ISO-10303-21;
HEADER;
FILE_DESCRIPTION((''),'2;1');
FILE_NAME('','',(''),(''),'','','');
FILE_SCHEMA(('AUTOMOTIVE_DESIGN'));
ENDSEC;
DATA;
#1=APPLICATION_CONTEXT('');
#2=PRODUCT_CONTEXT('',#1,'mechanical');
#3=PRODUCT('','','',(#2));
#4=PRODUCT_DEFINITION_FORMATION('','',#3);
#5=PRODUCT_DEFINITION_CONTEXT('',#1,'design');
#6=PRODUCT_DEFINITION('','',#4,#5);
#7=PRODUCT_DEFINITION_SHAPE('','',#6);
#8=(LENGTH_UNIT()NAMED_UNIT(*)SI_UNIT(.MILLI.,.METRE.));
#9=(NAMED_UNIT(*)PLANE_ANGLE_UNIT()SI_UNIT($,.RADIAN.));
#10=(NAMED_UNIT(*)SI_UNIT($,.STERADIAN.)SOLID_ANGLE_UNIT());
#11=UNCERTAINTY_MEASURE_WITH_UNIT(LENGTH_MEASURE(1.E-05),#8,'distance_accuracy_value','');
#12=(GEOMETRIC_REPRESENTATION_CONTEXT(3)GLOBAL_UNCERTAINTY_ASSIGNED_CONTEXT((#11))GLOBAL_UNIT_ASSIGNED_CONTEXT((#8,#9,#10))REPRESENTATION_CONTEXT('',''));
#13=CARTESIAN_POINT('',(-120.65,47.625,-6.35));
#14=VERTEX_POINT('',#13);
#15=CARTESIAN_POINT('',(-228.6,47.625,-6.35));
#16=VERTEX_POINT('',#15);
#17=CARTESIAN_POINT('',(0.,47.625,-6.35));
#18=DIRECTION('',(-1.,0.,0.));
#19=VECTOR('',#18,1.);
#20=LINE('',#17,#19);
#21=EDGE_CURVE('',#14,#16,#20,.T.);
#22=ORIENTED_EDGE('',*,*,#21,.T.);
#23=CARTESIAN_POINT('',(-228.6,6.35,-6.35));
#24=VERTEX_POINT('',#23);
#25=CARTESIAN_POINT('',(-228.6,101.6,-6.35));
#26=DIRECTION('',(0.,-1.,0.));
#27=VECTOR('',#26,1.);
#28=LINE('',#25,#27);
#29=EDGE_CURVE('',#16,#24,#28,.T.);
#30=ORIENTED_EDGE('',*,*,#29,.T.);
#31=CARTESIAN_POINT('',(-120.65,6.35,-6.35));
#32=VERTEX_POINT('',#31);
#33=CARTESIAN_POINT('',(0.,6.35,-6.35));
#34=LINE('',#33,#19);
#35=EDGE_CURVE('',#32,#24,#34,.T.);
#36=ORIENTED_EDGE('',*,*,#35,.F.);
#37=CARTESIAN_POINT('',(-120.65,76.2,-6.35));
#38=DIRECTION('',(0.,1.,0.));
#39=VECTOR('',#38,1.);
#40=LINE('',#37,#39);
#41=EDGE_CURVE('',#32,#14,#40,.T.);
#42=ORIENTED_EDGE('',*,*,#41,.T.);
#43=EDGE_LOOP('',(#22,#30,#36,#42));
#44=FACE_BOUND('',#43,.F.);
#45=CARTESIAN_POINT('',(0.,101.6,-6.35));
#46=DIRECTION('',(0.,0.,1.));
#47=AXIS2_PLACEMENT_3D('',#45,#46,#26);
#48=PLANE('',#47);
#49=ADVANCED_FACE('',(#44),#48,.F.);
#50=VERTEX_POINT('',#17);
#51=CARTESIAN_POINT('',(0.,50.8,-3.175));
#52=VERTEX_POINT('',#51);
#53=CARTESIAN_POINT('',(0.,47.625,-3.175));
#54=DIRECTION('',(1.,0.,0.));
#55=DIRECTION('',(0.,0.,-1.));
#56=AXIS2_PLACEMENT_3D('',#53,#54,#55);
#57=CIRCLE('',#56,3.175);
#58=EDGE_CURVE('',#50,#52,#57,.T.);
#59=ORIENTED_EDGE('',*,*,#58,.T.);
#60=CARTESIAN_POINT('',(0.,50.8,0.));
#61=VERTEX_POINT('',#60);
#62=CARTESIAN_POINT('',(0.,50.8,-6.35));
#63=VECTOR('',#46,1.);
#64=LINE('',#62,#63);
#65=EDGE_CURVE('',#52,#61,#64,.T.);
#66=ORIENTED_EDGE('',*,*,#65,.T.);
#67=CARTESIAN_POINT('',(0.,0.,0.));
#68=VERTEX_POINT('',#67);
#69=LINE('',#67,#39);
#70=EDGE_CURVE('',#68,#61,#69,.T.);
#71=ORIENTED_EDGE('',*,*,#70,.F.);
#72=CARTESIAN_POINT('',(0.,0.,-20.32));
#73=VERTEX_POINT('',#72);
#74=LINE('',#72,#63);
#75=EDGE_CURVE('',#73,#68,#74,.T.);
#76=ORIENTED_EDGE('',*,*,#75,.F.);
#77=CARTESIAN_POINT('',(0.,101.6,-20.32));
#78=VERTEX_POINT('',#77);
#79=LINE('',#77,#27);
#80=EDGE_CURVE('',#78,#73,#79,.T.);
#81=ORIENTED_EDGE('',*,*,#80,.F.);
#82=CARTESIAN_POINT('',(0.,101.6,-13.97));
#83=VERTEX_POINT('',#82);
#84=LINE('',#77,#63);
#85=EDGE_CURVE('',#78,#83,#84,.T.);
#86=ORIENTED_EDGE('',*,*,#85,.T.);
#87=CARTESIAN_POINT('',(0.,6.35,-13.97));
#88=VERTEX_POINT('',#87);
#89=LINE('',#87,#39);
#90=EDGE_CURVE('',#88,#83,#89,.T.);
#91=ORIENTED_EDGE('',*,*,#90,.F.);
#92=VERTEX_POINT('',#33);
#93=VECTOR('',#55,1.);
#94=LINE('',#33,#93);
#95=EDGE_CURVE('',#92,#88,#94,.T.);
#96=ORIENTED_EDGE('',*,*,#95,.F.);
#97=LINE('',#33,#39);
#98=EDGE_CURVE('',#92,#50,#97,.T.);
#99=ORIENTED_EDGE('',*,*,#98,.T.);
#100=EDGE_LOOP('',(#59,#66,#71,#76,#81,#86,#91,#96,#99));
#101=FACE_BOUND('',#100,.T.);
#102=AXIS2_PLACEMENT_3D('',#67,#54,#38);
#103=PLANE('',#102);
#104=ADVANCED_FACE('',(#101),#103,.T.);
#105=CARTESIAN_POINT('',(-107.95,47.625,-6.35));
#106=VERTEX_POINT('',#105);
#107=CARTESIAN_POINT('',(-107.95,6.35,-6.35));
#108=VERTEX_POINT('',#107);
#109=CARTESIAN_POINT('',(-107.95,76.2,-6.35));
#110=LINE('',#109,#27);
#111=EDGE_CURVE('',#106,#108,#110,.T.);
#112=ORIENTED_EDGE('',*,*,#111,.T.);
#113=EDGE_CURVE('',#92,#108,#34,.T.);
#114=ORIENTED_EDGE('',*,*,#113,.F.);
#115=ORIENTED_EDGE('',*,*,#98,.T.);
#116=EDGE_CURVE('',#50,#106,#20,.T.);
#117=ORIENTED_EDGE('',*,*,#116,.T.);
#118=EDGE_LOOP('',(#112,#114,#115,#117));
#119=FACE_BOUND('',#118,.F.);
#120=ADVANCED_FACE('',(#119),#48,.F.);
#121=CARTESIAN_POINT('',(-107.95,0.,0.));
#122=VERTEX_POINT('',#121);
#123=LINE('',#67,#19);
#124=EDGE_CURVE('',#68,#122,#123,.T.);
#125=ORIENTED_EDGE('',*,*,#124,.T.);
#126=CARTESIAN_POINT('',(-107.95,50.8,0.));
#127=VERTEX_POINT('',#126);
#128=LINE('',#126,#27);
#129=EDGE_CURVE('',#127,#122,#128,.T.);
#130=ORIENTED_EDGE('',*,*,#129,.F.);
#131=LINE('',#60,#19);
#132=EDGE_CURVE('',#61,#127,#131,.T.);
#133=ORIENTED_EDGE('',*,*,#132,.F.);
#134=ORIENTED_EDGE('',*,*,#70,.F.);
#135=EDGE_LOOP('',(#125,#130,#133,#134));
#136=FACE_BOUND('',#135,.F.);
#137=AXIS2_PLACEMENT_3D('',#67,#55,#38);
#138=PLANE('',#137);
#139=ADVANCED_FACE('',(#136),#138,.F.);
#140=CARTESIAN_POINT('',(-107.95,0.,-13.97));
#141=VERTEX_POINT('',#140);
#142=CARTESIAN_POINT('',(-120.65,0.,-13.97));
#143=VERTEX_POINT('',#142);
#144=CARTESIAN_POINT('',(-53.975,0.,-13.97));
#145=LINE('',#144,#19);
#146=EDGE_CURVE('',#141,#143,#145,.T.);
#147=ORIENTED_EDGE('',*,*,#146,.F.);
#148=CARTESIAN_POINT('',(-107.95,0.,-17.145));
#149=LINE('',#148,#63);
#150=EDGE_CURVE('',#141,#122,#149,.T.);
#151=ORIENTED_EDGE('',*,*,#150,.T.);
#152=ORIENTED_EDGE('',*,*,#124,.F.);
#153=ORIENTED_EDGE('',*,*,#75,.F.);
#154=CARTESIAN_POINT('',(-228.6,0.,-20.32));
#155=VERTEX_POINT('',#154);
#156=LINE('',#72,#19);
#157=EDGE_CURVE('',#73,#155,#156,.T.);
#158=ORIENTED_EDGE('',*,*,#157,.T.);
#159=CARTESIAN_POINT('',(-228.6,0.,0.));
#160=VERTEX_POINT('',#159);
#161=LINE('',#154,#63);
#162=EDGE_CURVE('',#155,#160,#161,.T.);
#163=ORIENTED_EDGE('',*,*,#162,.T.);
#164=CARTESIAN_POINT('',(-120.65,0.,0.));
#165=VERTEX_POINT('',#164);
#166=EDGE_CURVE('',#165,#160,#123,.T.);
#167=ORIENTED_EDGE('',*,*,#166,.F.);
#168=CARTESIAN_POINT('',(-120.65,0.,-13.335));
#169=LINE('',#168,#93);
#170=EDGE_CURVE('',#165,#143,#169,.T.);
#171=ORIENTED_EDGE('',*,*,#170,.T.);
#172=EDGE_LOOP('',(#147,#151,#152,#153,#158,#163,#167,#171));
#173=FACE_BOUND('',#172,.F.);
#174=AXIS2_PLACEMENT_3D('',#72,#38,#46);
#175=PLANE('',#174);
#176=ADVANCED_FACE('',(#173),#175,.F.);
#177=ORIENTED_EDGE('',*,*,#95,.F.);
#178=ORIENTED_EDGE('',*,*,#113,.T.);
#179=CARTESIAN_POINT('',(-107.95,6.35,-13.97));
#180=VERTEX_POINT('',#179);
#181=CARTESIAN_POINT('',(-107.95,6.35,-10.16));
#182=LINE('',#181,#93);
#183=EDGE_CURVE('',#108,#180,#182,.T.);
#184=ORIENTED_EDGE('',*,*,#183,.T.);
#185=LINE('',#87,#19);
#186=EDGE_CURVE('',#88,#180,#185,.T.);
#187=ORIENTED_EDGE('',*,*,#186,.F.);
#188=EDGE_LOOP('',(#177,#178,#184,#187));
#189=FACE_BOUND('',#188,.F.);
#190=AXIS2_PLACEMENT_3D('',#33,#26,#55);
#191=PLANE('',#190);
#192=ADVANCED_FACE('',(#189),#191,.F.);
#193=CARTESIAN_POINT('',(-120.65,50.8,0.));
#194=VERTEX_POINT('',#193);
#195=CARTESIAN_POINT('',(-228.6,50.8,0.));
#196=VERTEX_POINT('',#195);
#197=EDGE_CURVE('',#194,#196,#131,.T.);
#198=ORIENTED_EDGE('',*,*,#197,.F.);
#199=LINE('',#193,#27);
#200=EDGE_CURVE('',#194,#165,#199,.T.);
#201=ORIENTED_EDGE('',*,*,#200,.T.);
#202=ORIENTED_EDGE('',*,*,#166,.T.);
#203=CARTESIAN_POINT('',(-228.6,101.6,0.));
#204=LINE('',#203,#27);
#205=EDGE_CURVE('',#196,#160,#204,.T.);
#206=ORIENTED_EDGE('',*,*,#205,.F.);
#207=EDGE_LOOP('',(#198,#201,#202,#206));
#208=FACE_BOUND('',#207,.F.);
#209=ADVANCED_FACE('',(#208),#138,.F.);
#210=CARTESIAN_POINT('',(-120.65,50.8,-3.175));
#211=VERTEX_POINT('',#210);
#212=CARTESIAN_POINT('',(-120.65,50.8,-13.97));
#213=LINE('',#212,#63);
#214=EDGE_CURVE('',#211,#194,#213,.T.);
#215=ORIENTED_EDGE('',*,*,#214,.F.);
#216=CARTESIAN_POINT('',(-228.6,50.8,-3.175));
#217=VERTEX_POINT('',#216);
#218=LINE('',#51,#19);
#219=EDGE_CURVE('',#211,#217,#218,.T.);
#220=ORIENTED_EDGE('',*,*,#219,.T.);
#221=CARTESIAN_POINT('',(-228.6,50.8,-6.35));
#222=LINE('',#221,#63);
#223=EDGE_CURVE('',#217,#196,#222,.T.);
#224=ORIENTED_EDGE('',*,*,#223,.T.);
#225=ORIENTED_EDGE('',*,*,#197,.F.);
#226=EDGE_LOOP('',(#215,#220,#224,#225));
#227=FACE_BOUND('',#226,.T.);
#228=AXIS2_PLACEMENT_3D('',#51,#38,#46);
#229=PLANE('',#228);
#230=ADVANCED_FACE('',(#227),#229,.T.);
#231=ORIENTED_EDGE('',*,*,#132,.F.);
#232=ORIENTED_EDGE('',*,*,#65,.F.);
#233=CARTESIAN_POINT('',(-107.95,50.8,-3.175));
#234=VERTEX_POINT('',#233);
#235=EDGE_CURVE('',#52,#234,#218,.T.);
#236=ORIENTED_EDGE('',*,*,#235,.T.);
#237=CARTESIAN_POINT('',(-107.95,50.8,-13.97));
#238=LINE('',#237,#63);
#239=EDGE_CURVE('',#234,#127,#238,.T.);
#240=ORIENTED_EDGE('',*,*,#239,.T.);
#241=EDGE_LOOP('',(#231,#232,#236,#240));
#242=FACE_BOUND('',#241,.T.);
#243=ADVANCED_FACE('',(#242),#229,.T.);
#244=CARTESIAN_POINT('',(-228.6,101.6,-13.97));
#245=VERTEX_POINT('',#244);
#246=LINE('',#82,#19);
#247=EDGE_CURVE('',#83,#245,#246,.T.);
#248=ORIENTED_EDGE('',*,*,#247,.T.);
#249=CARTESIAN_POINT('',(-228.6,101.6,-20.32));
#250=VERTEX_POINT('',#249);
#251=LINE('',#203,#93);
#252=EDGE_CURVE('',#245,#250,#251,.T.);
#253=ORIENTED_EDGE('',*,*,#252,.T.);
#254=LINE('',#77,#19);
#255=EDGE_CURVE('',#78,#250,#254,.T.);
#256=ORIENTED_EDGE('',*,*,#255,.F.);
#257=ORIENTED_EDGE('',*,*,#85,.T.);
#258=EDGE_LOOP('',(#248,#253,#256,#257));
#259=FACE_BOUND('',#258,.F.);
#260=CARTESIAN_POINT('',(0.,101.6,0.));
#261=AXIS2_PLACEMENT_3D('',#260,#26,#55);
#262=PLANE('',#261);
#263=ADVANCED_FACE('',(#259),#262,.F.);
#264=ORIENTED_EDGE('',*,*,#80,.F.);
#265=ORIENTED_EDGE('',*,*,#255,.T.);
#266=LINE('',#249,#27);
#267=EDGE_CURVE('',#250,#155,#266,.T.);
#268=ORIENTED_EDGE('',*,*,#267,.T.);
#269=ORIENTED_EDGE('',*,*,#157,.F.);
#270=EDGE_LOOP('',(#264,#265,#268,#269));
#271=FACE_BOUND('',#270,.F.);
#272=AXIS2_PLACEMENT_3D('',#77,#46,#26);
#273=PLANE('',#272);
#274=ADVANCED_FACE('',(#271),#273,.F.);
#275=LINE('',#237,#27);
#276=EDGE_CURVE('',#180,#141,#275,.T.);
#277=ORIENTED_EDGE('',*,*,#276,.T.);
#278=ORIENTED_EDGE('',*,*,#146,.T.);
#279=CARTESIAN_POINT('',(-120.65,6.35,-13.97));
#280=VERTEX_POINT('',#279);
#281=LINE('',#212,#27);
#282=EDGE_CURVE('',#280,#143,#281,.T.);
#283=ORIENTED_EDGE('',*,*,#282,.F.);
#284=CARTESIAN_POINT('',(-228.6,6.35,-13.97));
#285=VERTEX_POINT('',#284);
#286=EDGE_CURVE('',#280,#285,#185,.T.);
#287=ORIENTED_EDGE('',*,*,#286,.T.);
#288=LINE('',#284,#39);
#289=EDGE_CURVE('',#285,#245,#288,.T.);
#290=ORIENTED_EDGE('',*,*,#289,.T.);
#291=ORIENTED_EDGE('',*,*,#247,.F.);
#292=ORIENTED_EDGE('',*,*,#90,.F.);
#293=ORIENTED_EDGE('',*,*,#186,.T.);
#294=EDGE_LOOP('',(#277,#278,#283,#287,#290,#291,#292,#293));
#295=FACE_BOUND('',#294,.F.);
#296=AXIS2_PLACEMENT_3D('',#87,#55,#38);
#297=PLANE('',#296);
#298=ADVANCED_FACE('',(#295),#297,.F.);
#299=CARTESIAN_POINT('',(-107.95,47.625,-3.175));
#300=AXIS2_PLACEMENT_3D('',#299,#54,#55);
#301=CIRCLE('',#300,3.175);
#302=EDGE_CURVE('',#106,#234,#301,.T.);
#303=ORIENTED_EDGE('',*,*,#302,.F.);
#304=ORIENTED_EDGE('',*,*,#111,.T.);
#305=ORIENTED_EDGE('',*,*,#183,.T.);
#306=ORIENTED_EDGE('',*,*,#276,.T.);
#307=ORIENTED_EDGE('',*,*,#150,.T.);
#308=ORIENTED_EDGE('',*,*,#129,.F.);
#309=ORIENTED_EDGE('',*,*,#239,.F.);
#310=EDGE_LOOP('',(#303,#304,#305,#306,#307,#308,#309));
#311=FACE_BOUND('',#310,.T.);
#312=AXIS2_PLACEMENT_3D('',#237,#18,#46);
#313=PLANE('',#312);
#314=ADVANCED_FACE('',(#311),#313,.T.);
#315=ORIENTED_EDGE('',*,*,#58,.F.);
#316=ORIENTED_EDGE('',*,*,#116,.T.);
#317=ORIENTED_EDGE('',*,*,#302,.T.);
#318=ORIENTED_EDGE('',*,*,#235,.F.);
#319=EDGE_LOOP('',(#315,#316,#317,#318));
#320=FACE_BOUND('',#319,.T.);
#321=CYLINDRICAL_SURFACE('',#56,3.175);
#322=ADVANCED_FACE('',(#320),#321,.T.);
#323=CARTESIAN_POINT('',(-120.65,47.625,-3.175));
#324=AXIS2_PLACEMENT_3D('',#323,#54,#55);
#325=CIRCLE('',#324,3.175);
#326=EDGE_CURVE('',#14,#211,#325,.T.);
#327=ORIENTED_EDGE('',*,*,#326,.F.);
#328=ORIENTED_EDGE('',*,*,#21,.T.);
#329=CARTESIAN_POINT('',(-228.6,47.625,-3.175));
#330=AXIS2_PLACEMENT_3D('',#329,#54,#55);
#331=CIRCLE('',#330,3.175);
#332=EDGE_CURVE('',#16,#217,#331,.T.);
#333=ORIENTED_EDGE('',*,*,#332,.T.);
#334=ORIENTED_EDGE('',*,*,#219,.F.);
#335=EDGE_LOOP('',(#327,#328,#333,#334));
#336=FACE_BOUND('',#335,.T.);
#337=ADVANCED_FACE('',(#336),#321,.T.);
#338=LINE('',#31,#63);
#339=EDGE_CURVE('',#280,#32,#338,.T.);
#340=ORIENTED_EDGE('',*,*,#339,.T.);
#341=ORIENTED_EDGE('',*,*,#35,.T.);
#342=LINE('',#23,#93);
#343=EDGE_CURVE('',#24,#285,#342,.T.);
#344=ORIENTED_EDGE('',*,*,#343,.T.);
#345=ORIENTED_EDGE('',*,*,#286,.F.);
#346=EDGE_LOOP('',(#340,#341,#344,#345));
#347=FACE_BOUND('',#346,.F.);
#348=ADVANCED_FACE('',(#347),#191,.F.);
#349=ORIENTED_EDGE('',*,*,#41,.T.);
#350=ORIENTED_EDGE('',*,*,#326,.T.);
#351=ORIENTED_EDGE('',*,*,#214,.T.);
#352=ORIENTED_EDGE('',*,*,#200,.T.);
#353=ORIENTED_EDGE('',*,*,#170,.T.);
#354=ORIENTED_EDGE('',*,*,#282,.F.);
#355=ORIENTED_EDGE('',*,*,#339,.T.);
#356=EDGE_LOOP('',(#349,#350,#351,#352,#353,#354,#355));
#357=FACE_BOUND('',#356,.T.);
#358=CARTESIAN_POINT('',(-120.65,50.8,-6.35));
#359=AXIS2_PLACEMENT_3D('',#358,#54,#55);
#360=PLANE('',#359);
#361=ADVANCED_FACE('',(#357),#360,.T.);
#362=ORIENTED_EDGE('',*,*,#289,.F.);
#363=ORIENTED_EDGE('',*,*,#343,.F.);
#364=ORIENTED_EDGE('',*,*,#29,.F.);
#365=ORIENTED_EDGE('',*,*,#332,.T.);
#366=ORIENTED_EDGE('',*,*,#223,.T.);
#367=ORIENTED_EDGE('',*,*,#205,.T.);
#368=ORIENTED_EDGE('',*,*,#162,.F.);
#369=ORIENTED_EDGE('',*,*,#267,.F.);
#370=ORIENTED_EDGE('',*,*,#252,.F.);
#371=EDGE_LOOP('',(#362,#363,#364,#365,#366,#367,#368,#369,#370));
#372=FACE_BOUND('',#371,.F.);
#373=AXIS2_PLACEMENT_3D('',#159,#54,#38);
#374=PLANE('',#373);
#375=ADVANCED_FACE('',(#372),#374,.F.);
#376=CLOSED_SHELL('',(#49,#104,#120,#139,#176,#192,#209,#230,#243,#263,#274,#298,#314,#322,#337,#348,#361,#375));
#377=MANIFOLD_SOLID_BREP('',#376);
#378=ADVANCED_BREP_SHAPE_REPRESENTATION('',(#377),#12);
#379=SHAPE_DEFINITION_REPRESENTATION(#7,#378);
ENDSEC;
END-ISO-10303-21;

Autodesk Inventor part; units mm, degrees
ref_plane "YZ Plane" through (0, 0, 0) normal (1, 0, 0) x (0, 1, 0)
ref_plane "XZ Plane" through (0, 0, 0) normal (0, 1, 0) x (-1, 0, 0)
ref_plane "XY Plane" through (0, 0, 0) normal (0, 0, 1) x (1, 0, 0)
sketch "Sketch5" plane through (0, 0, 0) normal (1, 0, 0) x (0, 1, 0)
  line L0 (0, 0) -> (101.6, 0)
  line L1 (101.6, 0) -> (101.6, -20.32)
  line L2 (101.6, -20.32) -> (0, -20.32)
  line L3 (0, -20.32) -> (0, 0)
  line L4 (101.6, -6.35) -> (6.35, -6.35)
  line L5 (6.35, -6.35) -> (6.35, -13.97)
  line L6 (6.35, -13.97) -> (101.6, -13.97)
  line L7 (101.6, -13.97) -> (101.6, -6.35)
  line L8 (101.6, 0) -> (50.8, 0)
  line L9 (50.8, -6.35) -> (101.6, -6.35)
  line L10 (101.6, -6.35) -> (101.6, 0)
  dimension "d26" = 101.6
  dimension "d27" = 20.32
  dimension "d28" = 95.25
  dimension "d29" = 7.62
  dimension "d30" = 6.35
  dimension "d31" = 50.8
extrude "Extrusion4" add sketch "Sketch5" against normal blind 228.6
sketch "Sketch6" plane through (0, 0, 0) normal (1, 0, 0) x (0, 0, -1)
  line L0 (0, 101.6) -> (0, 0) projected
  line L1 (20.32, 0) -> (20.32, 101.6) projected
  line L2 (20.32, 101.6) -> (0, 101.6) projected
  line L3 (0, 0) -> (20.32, 0) projected
  line L4 (0, 101.6) -> (20.32, 101.6) projected
  line L5 (13.97, 101.6) -> (6.35, 101.6)
  line L6 (6.35, 101.6) -> (6.35, 6.35)
  line L7 (6.35, 6.35) -> (13.97, 6.35)
  line L8 (13.97, 6.35) -> (13.97, 101.6)
  line L9 (0, 0) -> (0, 101.6) projected
  line L10 (0, 101.6) -> (6.35, 101.6)
  line L11 (6.35, 101.6) -> (6.35, 50.8)
  line L12 (6.35, 50.8) -> (0, 50.8)
  line L13 (0, 50.8) -> (0, 101.6)
  dimension "d34" = 7.62
  dimension "d35" = 95.25
  dimension "d36" = 6.35
  dimension "d37" = 50.8
extrude "Extrusion5" cut sketch "Sketch6" against normal blind 228.6 contours L2 L8 L7 L6
sketch "Sketch7" plane through (0, 0, 0) normal (1, 0, 0) x (0, 0, -1)
  line L0 (6.35, 6.35) -> (6.35, 101.6) projected
  line L1 (6.35, 101.6) -> (0, 101.6) projected
  line L2 (0, 101.6) -> (0, 0) projected
  line L3 (0, 0) -> (20.32, 0) projected
  line L4 (20.32, 0) -> (20.32, 101.6) projected
  line L5 (20.32, 101.6) -> (13.97, 101.6) projected
  line L6 (13.97, 101.6) -> (13.97, 6.35) projected
  line L7 (13.97, 6.35) -> (6.35, 6.35) projected
  line L8 (0, 101.6) -> (0, 0) projected
  line L9 (6.35, 6.35) -> (6.35, 101.6) projected
  line L10 (0, 101.6) -> (3.175, 101.6)
  line L11 (6.35, 98.425) -> (6.35, 50.8)
  line L12 (6.35, 50.8) -> (0, 50.8)
  line L13 (0, 50.8) -> (0, 101.6)
  arc A0 (6.35, 98.425) -> (3.175, 101.6) centre (3.175, 98.425) ccw
  line L14 (0, 0) -> (20.32, 0) projected
  line L15 (0, 50.8) -> (3.175, 50.8)
  line L16 (6.35, 47.625) -> (6.35, 0)
  line L17 (6.35, 0) -> (0, 0)
  line L18 (0, 0) -> (0, 50.8)
  arc A1 (6.35, 47.625) -> (3.175, 50.8) centre (3.175, 47.625) ccw
  line L19 (6.35, 50.8) -> (6.35, 41.6275)
  dimension "d40" = 50.8
  dimension "d47" = 3.175
  dimension "d48" = 3.175
extrude "Extrusion6" cut sketch "Sketch7" against normal blind 228.6 contours A1 L12 L0 | L12 L2 L1 A0 L0 | A0 L1 L0
sketch "Sketch8" plane through (0, 50.8, 0) normal (0, 1, 0) x (1, 0, 0)
  line L0 (0, 13.97) -> (0, 6.35) projected
  line L1 (0, 13.97) -> (-228.6, 13.97) projected
  line L2 (-228.6, 6.35) -> (-228.6, 13.97) projected
  line L3 (0, 6.35) -> (-228.6, 6.35) projected
  line L4 (0, 3.175) -> (0, 0) projected
  line L5 (-228.6, 0) -> (-228.6, 3.175) projected
  line L6 (0, 0) -> (-228.6, 0) projected
  line L7 (-228.6, 13.97) -> (0, 13.97) projected
  line L8 (0, 20.32) -> (0, 13.97) projected
  line L9 (0, 20.32) -> (-228.6, 20.32) projected
  line L10 (-228.6, 13.97) -> (-228.6, 20.32) projected
  line L11 (-228.6, 13.97) -> (0, 13.97) projected
  line L12 (0, 0) -> (-228.6, 0) projected
  line L13 (0, 13.97) -> (-228.6, 13.97) projected
  line L14 (-107.95, 0) -> (-120.65, 0)
  line L15 (-120.65, 0) -> (-120.65, 13.97)
  line L16 (-120.65, 13.97) -> (-107.95, 13.97)
  line L17 (-107.95, 13.97) -> (-107.95, 0)
  line L18 (0, 3.175) -> (-228.6, 3.175) projected
  dimension "d43" = 12.7
  dimension "d44" = 107.95
extrude "Extrusion7" cut sketch "Sketch8" against normal blind 228.6 contours L17 L3 L15 L1 | L17 L18 L15 L3 | L17 L6 L15 L18
properties part number "Handles"
